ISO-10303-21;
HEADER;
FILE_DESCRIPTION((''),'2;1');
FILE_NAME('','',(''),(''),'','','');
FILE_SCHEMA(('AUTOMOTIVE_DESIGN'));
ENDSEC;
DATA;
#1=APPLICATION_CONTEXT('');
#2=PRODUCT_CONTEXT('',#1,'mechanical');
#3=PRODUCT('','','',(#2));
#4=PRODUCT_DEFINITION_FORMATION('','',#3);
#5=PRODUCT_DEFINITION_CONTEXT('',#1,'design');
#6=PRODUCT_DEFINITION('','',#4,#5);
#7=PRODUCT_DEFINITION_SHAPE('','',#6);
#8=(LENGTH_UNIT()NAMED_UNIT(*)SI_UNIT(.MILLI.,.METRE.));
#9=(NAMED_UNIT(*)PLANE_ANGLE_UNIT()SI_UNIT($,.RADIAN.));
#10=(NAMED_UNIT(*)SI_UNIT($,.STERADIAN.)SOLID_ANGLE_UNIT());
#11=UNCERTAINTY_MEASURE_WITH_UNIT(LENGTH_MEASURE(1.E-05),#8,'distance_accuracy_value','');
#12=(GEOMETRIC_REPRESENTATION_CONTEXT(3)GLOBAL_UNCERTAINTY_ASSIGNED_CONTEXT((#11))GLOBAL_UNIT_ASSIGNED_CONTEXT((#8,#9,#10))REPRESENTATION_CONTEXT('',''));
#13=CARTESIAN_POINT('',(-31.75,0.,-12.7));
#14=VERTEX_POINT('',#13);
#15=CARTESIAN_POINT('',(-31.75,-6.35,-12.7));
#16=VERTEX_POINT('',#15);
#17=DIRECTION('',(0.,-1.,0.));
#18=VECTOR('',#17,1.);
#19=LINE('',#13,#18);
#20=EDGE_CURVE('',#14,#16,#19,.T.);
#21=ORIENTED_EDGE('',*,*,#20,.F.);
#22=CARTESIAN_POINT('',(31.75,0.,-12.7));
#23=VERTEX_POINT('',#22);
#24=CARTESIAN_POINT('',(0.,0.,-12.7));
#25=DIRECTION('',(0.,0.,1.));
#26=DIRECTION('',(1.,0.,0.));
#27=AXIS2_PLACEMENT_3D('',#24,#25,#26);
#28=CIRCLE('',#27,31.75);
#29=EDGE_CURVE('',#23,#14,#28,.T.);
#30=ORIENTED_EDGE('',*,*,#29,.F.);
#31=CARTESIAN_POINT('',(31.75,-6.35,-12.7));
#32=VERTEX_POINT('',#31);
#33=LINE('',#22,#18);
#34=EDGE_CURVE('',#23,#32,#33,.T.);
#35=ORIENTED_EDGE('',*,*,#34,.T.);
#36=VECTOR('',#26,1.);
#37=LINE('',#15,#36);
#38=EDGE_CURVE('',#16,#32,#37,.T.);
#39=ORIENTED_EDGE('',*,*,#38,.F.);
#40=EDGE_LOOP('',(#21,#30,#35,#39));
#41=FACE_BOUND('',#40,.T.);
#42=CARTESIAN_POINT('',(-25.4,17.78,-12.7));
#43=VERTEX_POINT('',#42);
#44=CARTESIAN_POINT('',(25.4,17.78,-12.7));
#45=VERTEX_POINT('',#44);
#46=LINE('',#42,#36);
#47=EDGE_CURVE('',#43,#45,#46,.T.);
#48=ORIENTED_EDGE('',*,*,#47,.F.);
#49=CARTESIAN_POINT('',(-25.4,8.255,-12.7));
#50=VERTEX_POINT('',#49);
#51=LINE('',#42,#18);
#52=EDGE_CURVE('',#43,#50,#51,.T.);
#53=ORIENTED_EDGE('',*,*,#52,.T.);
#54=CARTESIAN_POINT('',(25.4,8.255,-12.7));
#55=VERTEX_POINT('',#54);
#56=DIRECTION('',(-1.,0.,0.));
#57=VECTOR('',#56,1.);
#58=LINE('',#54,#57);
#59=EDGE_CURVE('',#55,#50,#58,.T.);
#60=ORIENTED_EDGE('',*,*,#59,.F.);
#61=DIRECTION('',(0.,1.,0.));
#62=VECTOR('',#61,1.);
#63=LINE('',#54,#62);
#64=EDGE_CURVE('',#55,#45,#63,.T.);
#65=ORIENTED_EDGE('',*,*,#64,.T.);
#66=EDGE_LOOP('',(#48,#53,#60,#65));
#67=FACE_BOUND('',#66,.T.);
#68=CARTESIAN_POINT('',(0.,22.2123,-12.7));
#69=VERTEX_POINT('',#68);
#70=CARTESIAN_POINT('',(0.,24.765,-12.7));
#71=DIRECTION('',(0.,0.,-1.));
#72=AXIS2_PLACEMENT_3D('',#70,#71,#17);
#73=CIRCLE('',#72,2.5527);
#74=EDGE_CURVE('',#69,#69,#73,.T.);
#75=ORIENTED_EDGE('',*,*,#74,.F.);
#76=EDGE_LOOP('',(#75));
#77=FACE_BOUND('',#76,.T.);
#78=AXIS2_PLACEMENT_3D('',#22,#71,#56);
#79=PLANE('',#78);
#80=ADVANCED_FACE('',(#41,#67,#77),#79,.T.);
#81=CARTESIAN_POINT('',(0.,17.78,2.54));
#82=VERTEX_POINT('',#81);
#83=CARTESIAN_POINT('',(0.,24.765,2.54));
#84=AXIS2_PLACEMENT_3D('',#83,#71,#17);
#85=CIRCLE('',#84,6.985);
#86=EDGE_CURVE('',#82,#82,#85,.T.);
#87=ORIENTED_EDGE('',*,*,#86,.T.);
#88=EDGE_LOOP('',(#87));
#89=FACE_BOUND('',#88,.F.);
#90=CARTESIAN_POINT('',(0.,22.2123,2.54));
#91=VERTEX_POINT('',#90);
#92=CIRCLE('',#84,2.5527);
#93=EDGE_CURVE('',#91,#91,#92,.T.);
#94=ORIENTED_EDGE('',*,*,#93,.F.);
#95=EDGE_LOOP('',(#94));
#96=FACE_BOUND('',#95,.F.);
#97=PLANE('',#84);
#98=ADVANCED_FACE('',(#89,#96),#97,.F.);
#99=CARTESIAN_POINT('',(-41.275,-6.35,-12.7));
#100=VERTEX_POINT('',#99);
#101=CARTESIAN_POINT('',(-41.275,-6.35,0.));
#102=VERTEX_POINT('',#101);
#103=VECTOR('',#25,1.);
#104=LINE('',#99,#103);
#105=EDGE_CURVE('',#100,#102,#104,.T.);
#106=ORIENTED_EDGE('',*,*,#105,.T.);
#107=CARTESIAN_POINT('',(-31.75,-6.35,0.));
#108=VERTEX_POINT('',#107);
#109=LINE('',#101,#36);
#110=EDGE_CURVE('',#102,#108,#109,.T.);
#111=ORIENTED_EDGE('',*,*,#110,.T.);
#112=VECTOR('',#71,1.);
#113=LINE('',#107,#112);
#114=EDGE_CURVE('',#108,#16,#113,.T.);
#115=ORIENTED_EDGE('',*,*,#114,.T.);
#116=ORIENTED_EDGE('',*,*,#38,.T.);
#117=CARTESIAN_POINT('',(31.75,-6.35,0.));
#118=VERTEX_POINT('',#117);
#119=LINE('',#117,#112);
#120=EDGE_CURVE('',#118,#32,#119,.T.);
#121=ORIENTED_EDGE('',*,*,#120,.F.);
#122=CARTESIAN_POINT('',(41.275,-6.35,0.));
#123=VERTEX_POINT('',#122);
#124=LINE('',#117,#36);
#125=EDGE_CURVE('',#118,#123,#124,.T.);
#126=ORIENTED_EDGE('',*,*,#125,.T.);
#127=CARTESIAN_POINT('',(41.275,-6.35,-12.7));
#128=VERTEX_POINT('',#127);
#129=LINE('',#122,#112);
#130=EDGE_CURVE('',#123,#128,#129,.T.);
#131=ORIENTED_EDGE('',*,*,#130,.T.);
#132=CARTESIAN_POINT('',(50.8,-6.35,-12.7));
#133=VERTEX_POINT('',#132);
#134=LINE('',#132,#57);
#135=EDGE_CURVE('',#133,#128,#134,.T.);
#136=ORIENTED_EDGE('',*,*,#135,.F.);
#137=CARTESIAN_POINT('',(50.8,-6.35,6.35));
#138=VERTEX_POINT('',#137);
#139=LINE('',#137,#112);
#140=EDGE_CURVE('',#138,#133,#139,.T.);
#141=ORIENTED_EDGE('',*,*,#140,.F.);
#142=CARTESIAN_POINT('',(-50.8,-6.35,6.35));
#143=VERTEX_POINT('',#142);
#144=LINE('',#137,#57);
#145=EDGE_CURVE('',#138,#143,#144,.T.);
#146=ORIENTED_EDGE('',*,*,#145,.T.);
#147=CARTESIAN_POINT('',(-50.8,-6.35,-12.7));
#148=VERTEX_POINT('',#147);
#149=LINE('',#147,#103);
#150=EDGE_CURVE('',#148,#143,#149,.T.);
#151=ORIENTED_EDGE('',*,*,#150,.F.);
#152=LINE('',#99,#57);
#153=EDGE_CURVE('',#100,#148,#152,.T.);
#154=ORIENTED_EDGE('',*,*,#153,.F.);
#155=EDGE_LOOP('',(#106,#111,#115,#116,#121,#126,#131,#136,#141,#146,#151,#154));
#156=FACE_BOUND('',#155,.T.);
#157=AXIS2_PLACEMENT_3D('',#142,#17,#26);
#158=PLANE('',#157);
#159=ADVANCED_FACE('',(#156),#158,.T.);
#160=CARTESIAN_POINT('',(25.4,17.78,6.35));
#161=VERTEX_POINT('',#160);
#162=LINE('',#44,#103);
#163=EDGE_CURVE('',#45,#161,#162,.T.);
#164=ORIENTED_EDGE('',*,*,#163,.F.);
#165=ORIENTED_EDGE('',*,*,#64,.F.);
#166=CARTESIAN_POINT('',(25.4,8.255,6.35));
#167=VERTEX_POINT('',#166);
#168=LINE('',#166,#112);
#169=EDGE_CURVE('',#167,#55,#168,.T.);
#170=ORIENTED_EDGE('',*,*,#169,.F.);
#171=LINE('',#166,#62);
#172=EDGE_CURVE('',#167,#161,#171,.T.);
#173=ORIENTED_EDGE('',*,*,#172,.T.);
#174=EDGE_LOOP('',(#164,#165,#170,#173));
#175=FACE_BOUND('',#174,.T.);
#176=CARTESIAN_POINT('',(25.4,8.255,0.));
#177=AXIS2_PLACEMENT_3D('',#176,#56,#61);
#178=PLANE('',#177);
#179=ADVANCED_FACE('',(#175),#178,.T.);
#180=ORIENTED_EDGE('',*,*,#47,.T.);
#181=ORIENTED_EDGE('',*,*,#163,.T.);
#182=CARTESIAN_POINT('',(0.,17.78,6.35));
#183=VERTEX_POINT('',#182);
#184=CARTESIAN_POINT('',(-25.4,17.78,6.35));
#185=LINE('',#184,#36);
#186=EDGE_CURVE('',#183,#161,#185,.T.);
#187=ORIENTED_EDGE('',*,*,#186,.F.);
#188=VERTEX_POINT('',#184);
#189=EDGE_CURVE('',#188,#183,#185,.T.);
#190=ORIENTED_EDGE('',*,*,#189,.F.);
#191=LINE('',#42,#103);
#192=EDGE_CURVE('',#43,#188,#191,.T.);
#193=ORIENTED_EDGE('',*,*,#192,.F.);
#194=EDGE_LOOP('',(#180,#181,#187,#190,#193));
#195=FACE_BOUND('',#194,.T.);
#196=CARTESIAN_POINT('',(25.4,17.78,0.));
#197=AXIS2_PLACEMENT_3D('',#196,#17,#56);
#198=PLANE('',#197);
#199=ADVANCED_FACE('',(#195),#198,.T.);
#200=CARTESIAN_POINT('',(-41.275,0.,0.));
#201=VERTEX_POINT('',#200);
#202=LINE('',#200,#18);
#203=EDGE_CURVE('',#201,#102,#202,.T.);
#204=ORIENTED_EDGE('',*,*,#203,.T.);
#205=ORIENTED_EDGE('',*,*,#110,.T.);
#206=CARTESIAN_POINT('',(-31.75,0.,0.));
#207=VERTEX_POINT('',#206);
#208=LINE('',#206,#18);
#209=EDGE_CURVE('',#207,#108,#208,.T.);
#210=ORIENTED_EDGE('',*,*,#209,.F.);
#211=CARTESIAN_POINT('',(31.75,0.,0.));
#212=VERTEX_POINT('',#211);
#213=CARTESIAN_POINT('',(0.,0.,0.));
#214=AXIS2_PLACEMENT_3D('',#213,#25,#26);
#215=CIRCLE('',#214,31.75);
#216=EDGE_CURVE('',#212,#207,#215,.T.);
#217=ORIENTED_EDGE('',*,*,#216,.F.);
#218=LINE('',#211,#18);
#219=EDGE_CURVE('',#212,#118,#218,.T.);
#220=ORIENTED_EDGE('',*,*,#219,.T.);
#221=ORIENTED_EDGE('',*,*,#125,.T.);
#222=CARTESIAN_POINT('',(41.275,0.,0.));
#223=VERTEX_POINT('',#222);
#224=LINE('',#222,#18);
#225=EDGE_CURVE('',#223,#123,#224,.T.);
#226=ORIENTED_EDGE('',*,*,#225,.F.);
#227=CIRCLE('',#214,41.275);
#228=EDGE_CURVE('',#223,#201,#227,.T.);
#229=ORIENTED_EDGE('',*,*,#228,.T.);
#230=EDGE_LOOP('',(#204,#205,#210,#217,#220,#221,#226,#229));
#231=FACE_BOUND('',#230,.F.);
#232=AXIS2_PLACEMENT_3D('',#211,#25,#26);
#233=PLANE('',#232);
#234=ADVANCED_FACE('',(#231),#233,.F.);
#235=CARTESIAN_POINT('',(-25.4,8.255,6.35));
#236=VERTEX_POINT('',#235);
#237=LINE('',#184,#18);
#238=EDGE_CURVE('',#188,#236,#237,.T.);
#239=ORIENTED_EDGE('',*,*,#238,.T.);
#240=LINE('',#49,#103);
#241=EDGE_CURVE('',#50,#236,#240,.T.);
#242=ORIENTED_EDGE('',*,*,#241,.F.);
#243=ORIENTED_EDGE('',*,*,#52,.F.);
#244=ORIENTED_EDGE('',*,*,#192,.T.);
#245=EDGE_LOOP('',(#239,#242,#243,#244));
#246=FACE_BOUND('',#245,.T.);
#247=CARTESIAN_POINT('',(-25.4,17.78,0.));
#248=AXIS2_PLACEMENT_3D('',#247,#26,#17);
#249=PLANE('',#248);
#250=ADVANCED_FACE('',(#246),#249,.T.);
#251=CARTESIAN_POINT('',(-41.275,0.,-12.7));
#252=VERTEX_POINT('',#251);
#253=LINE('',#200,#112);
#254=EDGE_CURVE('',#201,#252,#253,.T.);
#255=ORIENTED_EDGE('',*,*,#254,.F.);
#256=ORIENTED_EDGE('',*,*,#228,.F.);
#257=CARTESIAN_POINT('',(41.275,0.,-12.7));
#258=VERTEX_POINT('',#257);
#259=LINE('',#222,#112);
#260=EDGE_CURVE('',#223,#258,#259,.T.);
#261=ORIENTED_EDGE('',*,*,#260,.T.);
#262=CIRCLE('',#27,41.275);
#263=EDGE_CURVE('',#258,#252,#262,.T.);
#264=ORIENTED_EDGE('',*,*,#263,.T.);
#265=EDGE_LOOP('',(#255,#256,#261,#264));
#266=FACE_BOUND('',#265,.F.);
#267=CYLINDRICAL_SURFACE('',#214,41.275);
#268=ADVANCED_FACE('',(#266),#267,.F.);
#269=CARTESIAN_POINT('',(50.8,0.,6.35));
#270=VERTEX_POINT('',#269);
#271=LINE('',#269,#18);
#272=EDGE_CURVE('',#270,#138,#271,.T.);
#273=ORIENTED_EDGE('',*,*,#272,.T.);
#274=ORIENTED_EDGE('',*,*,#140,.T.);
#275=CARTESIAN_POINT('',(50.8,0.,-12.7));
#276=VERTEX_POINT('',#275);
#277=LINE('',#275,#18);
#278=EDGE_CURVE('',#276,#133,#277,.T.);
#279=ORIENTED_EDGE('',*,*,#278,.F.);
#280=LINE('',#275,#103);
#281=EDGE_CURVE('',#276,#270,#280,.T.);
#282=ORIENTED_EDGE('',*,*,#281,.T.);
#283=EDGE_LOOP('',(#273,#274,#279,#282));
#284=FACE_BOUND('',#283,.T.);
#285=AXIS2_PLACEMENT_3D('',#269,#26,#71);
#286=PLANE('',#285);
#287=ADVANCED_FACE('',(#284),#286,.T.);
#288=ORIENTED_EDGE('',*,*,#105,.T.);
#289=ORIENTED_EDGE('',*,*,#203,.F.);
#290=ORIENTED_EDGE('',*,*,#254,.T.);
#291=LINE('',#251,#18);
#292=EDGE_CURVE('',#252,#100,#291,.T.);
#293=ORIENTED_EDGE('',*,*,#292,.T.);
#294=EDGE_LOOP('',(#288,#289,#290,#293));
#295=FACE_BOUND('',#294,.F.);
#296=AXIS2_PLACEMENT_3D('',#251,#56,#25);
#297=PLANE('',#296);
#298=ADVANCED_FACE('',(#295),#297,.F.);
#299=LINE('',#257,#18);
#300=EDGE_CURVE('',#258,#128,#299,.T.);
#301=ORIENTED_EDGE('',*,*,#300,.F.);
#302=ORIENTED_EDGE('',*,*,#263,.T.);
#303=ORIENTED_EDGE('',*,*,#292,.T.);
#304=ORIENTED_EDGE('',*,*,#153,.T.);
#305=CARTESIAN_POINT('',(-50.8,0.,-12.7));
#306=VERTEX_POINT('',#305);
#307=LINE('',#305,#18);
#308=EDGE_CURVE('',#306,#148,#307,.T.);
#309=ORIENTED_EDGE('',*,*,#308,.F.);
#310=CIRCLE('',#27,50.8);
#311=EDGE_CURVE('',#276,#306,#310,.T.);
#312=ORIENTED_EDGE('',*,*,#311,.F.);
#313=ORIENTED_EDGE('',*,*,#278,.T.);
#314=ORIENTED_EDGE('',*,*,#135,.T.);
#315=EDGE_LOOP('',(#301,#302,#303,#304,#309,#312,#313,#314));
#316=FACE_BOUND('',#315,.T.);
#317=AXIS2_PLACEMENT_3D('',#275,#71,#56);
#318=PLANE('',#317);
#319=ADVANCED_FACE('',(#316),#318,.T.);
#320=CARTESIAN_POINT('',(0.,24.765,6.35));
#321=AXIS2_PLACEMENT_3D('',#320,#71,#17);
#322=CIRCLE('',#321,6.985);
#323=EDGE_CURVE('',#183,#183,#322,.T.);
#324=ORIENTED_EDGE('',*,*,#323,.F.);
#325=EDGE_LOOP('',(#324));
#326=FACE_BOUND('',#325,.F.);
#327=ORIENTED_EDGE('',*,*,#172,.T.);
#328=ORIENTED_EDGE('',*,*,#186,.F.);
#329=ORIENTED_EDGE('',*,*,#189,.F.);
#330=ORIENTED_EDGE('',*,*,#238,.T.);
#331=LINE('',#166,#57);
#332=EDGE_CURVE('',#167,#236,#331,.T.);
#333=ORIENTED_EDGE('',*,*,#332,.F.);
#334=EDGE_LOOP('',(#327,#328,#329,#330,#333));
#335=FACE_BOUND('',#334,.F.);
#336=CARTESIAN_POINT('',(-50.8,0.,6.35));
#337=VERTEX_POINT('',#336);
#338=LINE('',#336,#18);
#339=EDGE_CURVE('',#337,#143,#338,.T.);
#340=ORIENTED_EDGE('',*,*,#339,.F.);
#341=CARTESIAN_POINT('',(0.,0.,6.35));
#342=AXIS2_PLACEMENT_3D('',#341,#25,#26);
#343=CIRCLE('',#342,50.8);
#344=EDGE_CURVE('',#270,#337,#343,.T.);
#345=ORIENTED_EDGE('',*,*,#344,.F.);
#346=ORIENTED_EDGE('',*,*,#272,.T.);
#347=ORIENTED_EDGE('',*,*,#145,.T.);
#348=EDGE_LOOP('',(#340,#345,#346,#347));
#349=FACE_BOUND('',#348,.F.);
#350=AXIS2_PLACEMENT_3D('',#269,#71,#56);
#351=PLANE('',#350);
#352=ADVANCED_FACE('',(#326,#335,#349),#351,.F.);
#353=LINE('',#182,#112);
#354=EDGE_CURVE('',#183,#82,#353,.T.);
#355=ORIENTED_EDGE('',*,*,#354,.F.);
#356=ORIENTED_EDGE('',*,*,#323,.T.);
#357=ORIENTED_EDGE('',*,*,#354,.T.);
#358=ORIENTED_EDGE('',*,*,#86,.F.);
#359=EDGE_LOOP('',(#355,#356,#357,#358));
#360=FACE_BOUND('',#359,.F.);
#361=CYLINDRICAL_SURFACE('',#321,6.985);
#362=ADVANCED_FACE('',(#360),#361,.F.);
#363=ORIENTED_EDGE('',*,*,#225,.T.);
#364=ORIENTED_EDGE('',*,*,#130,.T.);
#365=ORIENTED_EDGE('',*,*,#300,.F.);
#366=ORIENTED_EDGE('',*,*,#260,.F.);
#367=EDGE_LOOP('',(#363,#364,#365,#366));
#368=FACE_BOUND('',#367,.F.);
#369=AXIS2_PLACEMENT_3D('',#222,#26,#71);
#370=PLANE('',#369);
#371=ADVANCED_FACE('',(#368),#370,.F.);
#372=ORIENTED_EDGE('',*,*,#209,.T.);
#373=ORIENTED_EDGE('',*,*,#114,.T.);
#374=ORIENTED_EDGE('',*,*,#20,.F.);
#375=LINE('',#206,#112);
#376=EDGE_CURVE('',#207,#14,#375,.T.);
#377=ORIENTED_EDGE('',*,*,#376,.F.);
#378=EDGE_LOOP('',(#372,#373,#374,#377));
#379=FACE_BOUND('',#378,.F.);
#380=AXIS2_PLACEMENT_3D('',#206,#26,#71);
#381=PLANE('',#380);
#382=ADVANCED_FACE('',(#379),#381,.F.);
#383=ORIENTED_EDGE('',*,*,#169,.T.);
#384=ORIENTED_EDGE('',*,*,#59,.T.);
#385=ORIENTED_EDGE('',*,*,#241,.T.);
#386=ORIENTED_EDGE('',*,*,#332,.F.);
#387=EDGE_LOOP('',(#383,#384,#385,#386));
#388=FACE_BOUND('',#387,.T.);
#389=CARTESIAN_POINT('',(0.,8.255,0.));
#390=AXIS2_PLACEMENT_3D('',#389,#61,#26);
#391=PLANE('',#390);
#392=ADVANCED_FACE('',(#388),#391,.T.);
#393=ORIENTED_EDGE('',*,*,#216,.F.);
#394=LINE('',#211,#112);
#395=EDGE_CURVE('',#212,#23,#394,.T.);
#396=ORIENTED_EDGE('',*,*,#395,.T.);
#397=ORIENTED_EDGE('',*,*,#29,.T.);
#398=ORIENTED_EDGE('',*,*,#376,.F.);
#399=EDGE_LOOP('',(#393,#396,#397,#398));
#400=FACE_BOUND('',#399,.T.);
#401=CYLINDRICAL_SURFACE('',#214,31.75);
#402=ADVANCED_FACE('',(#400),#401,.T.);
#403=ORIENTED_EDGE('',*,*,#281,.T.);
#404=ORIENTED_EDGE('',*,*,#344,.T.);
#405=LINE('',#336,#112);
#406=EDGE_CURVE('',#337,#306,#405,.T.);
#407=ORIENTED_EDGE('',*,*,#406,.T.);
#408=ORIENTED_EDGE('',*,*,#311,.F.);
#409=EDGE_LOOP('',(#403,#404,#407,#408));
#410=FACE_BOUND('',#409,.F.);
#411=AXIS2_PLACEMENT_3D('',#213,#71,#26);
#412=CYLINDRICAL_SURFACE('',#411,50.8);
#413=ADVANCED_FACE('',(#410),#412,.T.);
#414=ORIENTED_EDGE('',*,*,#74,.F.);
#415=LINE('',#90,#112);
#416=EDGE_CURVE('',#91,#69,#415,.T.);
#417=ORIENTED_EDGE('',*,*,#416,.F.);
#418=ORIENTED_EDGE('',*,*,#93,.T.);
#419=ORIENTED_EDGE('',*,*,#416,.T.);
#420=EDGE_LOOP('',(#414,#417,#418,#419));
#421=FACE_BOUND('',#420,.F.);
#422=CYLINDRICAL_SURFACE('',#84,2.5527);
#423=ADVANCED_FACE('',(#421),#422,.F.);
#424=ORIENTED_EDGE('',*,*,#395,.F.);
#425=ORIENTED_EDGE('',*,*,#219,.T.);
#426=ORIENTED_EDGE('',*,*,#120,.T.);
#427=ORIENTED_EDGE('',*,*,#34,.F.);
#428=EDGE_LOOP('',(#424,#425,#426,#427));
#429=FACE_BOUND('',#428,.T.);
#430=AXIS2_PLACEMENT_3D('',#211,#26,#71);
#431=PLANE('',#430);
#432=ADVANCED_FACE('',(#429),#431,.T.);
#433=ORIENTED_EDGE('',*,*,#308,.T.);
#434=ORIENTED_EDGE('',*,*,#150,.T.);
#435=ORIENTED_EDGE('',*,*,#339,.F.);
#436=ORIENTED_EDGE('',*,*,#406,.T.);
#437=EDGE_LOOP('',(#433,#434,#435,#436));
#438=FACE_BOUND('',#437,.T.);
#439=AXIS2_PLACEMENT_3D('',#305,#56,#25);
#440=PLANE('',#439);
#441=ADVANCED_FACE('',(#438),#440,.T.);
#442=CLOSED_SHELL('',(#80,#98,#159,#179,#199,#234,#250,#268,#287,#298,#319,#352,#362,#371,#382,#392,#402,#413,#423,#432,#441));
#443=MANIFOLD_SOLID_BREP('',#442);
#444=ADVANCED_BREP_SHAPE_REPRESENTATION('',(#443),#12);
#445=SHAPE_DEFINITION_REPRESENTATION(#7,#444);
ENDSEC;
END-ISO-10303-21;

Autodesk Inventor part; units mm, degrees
ref_plane "YZ Plane" through (0, 0, 0) normal (1, 0, 0) x (0, 1, 0)
ref_plane "XZ Plane" through (0, 0, 0) normal (0, 1, 0) x (-1, 0, 0)
ref_plane "XY Plane" through (0, 0, 0) normal (0, 0, 1) x (1, 0, 0)
sketch "Sketch2" plane through (0, 0, 0) normal (0, 0, 1) x (1, 0, 0)
  arc A0 (31.75, 0) -> (-31.75, 0) centre (0, 0) ccw
  arc A1 (41.275, 0) -> (-41.275, 0) centre (0, 0) ccw
  line L0 (-41.275, 0) -> (-31.75, 0)
  line L1 (31.75, 0) -> (41.275, 0)
  arc A2 (50.8, 0) -> (-50.8, 0) centre (0, 0) ccw
  line L2 (-50.8, 0) -> (-41.275, 0)
  line L3 (41.275, 0) -> (50.8, 0)
  line L4 (-31.75, 0) -> (31.75, 0)
  line L5 (0, 0) -> (0, 31.75) construction
  line L6 (0, 8.255) -> (25.4, 8.255)
  line L7 (25.4, 8.255) -> (25.4, 17.78)
  line L8 (25.4, 17.78) -> (0, 17.78)
  line L9 (0, 17.78) -> (-25.4, 17.78)
  line L10 (-25.4, 17.78) -> (-25.4, 8.255)
  line L11 (-25.4, 8.255) -> (0, 8.255)
  dimension "d2" = 63.5
  dimension "d3" = 9.525
  dimension "d4" = 9.525
  dimension "d5" = 25.4
  dimension "d6" = 8.255
  dimension "d7" = 9.525
extrude "Extrusion1" add sketch "Sketch2" along normal blind 6.35
extrude "Extrusion2" add sketch "Sketch2" against normal blind 12.7 contours L4 A0 | A1 L2 A2 L3
sketch "Sketch5" plane through (0, 0, 6.35) normal (0, 0, 1) x (1, 0, 0)
  line L0 (-25.4, 17.78) -> (25.4, 17.78) projected
  arc A0 (31.75, 0) -> (-31.75, 0) centre (0, 0) ccw projected
  line L1 (0, 17.78) -> (0, 31.75) construction
  arc A1 (31.75, 0) -> (-31.75, 0) centre (0, 0) ccw construction
  point P0 (0, 24.765)
hole "Hole2" at (0, 24.765, 6.35) direction (0, 0, -1) diameter 5.1054 end through all counterbore diameter 13.97 counterbore depth 3.81 clearance for "Socket Head Cap Screw" size "#10" standard "Ansi Unified Screw Threads"
sketch "Sketch6" plane through (-50.8, 0, 6.35) normal (0, -1, 0) x (1, 0, 0)
  line L0 (101.6, 0) -> (101.6, -19.05) projected
  line L1 (0, -19.05) -> (0, 0) projected
  line L2 (101.6, 0) -> (0, 0)
  line L3 (0, 0) -> (0, -19.05)
  line L4 (9.525, -19.05) -> (0, -19.05) projected
  line L5 (0, -19.05) -> (9.525, -19.05)
  line L6 (9.525, -6.35) -> (19.05, -6.35) projected
  line L7 (9.525, -19.05) -> (9.525, -6.35)
  line L8 (19.05, -6.35) -> (19.05, -19.05) projected
  line L9 (9.525, -6.35) -> (19.05, -6.35)
  line L10 (19.05, -6.35) -> (19.05, -19.05)
  line L11 (19.05, -19.05) -> (82.1864, -19.05)
  line L12 (92.075, -19.05) -> (9.525, -19.05) projected
  line L13 (82.55, -6.35) -> (82.55, -19.05) projected
  line L14 (82.55, -6.35) -> (92.075, -6.35)
  line L15 (92.075, -6.35) -> (92.075, -19.05) projected
  line L16 (92.075, -6.35) -> (92.075, -19.05)
  line L17 (101.6, -19.05) -> (92.075, -19.05) projected
  line L18 (92.075, -19.05) -> (101.6, -19.05)
  line L19 (101.6, -19.05) -> (101.6, 0)
  point P0 (50.8, -6.35)
extrude "Extrusion3" add sketch "Sketch6" along normal blind 6.35 contours L0 L17 L15 L14 L13 L12 L11 L8 L6 L7 L4 L1 L2
equation "\"d2\" = insideDiameterOfRing"
equation "\"d3\" = innerRingWidth"
equation "\"d4\" = outerRingWidth"
equation "\"d5\" = halfWidthForPryBar"
equation "\"d6\" = distanceFromEdgeToPryBar"
equation "\"d7\" = depthForPryBar"
equation "\"d8\" = topPartHeight"
equation "\"d10\" = lowerPartHeight"
equation "\"insideDiameterOfRing\" = 63.5"
equation "\"wallThicknessOfRing\" = 9.525"
equation "\"outsideDiameterOfRing\" = insideDiameterOfRing + 2 * wallThicknessOfRing"
equation "\"widthForPryBar\" = 50.8"
equation "\"outerRingWidth\" = 9.525"
equation "\"innerRingWidth\" = 9.525"
equation "\"halfWidthForPryBar\" = 0.5 * widthForPryBar"
equation "\"distanceFromEdgeToPryBar\" = 8.255"
equation "\"totalHeightOfPart\" = 19.05"
equation "\"topPartHeight\" = 6.35"
equation "\"lowerPartHeight\" = totalHeightOfPart - topPartHeight"
equation "\"depthForPryBar\" = 9.525"
properties part number "dRingHolder" material "PBT Plastic"
